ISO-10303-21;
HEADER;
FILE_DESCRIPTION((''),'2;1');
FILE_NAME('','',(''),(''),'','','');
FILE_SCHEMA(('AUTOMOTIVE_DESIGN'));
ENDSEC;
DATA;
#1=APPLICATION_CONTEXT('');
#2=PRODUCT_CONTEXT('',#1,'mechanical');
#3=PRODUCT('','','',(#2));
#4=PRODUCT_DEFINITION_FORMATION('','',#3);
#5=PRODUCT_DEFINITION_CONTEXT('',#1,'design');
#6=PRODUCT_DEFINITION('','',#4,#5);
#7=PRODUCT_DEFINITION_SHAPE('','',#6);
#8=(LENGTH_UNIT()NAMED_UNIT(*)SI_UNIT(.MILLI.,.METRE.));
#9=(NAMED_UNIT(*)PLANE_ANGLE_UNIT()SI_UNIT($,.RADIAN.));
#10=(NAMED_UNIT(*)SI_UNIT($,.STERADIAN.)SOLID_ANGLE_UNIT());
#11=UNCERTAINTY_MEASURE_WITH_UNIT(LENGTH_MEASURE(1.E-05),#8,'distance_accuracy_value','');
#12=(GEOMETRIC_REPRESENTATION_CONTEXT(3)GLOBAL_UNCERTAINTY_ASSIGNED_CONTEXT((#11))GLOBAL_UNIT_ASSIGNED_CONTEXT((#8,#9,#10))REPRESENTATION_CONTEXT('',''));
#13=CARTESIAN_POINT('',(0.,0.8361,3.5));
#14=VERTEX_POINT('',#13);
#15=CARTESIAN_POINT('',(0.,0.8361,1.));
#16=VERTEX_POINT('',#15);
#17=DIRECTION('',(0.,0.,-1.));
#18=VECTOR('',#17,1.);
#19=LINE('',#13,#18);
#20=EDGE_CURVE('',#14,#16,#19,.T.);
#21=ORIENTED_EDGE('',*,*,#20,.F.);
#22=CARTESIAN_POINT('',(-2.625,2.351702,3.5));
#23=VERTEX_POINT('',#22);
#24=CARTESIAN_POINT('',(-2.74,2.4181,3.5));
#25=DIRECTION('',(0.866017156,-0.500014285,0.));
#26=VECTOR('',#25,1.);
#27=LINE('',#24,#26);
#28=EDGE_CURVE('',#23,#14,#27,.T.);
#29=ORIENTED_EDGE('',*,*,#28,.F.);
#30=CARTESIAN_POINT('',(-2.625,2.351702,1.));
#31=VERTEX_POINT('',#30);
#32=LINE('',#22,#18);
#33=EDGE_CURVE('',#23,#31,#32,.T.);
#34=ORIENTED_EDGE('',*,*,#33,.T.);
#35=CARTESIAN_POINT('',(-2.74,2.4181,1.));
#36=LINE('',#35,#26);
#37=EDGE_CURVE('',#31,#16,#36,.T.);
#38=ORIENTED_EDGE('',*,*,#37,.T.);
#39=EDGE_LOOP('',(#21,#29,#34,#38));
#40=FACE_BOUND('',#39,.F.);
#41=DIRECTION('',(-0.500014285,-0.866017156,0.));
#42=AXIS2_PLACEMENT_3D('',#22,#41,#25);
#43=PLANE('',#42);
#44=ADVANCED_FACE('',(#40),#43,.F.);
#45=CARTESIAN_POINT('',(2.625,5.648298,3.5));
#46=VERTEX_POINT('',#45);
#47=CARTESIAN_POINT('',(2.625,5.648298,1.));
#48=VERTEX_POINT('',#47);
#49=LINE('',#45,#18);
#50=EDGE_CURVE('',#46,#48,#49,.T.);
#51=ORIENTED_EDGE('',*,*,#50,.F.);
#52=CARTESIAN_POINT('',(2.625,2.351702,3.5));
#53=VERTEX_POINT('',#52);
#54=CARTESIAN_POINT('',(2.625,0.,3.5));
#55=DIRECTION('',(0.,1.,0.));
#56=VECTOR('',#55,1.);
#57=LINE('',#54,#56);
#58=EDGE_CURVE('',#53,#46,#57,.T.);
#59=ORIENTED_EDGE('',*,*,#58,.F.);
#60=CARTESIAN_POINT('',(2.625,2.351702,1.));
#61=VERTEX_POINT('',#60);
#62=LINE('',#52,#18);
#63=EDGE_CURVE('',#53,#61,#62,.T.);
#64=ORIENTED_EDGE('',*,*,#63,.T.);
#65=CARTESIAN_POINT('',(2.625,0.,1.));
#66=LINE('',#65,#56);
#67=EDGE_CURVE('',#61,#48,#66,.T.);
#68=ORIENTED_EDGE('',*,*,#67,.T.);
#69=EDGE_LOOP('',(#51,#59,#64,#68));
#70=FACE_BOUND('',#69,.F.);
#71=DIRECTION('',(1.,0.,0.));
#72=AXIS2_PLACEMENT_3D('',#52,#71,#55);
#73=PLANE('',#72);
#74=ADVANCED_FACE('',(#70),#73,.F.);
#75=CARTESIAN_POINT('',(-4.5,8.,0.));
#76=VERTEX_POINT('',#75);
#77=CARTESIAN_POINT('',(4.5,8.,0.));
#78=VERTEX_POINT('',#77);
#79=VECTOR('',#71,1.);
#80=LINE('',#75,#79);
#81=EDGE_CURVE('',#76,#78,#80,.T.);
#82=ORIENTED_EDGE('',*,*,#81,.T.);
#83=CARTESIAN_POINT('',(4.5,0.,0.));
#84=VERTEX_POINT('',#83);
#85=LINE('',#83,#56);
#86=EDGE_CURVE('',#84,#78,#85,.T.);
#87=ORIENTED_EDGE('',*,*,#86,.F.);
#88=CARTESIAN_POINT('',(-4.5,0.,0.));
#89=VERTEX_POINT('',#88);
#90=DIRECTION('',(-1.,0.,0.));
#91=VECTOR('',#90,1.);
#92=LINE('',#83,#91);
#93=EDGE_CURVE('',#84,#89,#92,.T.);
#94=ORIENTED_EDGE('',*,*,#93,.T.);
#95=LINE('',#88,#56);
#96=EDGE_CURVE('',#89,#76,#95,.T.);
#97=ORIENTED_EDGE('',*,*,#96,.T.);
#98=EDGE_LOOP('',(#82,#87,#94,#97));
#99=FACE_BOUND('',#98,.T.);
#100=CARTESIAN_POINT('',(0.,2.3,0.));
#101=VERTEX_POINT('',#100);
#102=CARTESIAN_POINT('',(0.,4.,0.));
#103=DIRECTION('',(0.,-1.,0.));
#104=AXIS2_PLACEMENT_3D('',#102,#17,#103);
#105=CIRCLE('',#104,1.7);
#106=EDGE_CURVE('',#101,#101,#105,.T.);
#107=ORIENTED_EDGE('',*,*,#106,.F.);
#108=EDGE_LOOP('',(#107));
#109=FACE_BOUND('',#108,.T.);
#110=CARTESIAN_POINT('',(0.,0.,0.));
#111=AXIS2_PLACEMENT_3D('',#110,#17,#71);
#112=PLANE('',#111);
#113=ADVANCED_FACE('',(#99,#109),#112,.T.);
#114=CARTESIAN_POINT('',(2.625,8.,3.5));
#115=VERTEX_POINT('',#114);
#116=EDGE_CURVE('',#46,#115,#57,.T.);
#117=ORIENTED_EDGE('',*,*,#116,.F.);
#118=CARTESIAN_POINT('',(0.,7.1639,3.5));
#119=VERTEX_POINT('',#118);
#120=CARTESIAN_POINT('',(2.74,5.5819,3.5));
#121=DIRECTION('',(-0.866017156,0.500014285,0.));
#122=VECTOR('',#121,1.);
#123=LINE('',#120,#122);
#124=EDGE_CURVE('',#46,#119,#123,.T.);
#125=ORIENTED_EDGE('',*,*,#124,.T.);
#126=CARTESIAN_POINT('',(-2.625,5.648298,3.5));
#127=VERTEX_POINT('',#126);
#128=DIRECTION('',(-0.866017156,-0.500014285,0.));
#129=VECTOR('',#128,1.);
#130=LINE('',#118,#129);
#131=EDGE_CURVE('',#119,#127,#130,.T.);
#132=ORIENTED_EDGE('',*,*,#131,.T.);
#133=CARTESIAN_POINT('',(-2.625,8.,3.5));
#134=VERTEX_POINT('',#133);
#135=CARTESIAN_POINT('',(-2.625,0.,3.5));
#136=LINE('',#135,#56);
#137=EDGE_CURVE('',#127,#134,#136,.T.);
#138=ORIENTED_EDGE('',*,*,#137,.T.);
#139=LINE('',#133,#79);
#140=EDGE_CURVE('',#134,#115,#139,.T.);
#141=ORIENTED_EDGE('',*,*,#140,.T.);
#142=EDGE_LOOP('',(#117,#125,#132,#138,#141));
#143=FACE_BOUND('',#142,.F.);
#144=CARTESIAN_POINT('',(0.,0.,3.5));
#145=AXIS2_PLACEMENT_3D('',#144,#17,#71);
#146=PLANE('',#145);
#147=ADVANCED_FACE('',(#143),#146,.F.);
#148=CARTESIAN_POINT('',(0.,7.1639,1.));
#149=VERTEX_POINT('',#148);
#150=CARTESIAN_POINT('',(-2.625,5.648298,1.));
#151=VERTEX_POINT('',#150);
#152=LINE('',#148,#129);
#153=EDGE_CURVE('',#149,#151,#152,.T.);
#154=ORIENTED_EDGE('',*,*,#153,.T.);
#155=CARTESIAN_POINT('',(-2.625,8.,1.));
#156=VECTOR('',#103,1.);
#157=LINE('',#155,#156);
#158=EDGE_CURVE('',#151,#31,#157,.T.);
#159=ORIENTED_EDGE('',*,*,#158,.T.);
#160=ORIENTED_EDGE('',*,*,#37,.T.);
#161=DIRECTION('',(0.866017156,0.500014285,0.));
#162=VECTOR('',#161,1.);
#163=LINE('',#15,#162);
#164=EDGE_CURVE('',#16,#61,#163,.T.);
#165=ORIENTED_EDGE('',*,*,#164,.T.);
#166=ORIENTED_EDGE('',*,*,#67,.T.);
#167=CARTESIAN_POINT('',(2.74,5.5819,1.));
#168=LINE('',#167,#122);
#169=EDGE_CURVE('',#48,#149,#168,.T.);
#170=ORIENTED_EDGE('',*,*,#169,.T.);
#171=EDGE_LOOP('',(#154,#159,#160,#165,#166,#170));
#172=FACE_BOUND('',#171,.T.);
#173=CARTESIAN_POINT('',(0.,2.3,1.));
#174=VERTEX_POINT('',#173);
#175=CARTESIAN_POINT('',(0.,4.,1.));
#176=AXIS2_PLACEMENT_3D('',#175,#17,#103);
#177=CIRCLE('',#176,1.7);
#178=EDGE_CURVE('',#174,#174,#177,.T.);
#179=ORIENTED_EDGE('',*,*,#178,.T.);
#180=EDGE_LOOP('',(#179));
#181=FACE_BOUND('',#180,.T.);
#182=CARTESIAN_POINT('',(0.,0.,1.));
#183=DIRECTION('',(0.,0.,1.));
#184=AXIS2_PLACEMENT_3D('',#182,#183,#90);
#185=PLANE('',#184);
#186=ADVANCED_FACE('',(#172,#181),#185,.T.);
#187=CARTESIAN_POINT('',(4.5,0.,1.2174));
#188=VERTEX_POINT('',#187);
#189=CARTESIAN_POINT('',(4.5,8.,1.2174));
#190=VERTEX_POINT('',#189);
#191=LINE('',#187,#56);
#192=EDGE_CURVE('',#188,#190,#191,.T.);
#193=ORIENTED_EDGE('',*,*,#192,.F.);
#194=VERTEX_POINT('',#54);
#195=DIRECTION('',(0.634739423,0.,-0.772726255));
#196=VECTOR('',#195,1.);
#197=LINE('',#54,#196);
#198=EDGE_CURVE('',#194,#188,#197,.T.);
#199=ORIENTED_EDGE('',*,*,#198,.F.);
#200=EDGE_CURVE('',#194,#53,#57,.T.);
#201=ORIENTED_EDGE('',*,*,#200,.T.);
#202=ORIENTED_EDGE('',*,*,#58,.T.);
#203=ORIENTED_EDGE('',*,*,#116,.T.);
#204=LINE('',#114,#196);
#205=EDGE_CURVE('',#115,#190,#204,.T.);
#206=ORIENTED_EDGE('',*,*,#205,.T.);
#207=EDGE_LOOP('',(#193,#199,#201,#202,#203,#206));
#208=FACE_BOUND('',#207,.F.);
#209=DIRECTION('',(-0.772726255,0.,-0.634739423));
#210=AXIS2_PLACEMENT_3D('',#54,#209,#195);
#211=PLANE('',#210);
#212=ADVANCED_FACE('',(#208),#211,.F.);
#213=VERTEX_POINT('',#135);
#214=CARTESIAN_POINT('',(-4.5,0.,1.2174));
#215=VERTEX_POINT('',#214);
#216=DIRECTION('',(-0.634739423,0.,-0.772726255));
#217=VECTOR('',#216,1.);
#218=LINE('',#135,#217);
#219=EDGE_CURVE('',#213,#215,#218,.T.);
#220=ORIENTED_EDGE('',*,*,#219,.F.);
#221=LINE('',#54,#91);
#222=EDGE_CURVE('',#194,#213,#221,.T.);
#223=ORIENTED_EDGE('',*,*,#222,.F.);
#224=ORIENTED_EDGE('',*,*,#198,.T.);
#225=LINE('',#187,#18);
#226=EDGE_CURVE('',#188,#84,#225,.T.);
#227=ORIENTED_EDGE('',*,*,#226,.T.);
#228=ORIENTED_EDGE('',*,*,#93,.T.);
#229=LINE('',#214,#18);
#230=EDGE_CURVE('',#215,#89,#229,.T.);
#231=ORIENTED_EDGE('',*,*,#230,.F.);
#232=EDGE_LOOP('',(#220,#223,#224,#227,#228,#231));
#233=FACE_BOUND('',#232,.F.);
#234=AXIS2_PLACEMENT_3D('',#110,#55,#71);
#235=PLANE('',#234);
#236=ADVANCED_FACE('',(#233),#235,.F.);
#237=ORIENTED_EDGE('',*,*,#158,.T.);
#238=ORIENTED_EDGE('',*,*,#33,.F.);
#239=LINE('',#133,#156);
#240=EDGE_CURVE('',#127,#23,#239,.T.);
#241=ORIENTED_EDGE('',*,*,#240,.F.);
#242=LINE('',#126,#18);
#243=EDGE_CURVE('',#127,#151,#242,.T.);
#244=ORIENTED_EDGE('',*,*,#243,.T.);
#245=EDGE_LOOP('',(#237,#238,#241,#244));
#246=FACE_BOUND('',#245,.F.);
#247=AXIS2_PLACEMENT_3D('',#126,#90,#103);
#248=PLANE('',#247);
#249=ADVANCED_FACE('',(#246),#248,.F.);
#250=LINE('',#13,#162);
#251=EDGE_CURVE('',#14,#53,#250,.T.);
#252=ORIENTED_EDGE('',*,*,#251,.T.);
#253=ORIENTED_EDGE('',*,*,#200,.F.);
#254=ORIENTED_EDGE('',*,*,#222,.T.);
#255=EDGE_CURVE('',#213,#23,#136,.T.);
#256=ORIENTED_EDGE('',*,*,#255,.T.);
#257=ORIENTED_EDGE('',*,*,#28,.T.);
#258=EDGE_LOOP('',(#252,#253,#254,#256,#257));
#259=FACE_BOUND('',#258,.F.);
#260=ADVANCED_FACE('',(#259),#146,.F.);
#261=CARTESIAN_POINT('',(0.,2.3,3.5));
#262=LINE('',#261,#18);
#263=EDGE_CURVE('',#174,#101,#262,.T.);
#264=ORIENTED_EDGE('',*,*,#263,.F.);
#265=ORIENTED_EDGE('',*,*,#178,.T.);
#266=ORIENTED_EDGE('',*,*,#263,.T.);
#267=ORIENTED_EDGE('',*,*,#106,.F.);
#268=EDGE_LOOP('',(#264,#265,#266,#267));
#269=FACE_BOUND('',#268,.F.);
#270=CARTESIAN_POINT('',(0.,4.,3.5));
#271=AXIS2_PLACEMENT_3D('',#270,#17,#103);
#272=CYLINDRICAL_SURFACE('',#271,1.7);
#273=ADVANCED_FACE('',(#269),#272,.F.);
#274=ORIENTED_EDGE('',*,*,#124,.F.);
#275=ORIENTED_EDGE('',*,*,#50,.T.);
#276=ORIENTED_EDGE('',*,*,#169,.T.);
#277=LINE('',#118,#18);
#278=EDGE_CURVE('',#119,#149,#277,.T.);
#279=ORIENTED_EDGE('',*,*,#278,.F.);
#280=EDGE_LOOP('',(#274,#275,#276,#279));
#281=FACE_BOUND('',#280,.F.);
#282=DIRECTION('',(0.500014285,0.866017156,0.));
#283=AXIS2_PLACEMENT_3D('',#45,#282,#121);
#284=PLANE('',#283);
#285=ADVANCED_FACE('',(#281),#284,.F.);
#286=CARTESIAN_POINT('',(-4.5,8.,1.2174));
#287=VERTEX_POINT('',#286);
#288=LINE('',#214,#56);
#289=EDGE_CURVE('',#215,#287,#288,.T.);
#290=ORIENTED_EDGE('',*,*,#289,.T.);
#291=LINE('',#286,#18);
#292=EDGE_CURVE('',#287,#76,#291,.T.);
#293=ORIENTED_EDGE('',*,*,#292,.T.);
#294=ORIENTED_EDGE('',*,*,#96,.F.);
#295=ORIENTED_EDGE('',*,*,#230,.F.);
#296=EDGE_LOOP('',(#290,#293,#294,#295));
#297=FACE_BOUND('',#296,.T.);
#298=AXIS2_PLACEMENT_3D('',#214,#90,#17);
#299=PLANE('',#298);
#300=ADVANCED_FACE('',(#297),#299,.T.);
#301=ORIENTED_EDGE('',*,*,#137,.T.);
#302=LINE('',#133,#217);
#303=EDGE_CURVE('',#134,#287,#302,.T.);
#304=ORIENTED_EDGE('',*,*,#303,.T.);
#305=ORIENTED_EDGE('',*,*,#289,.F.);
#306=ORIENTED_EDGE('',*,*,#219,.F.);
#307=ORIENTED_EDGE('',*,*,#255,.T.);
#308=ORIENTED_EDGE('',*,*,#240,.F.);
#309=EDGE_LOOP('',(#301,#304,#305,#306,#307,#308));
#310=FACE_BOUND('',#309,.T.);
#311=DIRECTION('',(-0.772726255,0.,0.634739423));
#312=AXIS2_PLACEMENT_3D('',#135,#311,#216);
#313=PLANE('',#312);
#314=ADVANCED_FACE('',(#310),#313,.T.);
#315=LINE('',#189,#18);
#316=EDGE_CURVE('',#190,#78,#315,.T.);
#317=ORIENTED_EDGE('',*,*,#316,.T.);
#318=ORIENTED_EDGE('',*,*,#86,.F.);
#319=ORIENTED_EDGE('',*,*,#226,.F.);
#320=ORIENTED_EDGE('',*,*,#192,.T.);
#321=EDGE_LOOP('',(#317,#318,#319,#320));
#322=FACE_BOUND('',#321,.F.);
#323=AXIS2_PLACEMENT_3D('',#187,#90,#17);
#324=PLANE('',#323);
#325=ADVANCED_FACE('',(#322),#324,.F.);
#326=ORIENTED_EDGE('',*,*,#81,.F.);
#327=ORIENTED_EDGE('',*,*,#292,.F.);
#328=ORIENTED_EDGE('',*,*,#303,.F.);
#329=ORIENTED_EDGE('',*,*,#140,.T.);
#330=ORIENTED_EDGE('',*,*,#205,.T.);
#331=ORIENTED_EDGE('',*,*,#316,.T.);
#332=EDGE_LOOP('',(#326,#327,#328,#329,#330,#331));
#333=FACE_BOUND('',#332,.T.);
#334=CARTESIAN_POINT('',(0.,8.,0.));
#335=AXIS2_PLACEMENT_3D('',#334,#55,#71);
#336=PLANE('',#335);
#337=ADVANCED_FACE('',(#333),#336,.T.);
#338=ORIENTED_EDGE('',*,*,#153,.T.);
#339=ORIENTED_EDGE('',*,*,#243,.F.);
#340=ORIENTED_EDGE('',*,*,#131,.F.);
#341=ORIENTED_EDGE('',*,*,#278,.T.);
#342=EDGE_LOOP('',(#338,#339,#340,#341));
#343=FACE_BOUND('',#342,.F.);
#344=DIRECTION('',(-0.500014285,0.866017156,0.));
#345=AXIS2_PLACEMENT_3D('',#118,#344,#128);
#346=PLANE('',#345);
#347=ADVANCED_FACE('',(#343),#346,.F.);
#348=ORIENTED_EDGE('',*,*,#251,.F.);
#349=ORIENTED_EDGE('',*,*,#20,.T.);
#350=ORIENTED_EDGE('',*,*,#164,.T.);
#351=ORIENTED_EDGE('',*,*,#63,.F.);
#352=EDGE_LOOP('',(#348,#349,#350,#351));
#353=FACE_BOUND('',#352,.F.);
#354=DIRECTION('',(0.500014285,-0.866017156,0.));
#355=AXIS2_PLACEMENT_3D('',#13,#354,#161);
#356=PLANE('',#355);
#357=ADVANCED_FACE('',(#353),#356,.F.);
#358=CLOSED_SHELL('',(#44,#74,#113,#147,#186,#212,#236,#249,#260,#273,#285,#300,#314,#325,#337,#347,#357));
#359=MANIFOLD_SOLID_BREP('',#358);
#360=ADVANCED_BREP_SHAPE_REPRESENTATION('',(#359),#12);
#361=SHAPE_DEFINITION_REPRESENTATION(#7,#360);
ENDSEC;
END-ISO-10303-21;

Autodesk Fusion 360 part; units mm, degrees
sketch "Sketch1" plane through (0, 0, 0) normal (0, 1, 0) x (1, 0, 0)
  line L0 (0, 0) -> (5.5, 0)
  line L1 (0, -3.5) -> (2.625, -3.5)
  line L2 (2.625, -3.5) -> (5.5, 0)
  line L3 (0, -1.75) -> (0, -22.5)
  line L4 (0, -3.5) -> (-2.625, -3.5)
  line L5 (-2.625, -3.5) -> (-5.5, 0)
  line L6 (0, 0) -> (-5.5, 0)
  line L7 (-4.5, -1.2174) -> (-4.5, 0)
  line L8 (4.5, -1.2174) -> (4.5, 0)
  dimension "d1" = 5.5
  dimension "d2" = 2.625
  dimension "d3" = 3.5
  dimension "d16" = 4.5
extrude "Extrude1" add sketch "Sketch1" along normal blind 8 contours L0 L1 L2 L4 L5 L6 L7 L8
sketch "Sketch2" plane through (0, 0, 3.5) normal (0, 0, 1) x (-1, 0, 0)
  line L0 (2.625, 0) -> (-2.625, 0)
  line L1 (-2.625, 0) -> (-2.625, -8)
  line L2 (-2.625, -8) -> (2.625, -8)
  line L3 (2.625, -8) -> (2.625, 0)
  line L4 (0, -8) -> (0, 0) construction
  line L5 (2.74, -2.4181) -> (0, -0.8361)
  line L6 (0, -0.8361) -> (-2.74, -2.4181)
  line L7 (-2.74, -2.4181) -> (-2.74, -5.5819)
  line L8 (-2.74, -5.5819) -> (0, -7.1639)
  line L9 (0, -7.1639) -> (2.74, -5.5819)
  line L10 (2.74, -5.5819) -> (2.74, -2.4181)
  line L11 (2.72, 25.0704) -> (0, 26.6408)
  line L12 (0, 26.6408) -> (-2.72, 25.0704)
  line L13 (-2.72, 25.0704) -> (-2.72, 21.9296)
  line L14 (-2.72, 21.9296) -> (0, 20.3592)
  line L15 (0, 20.3592) -> (2.72, 21.9296)
  line L16 (2.72, 21.9296) -> (2.72, 25.0704)
  point P0 (0, -4)
  dimension "d6" = 2.74
  dimension "d9" = 4
extrude "Extrude2" cut sketch "Sketch2" against normal blind 2.5 contours L1 L3 L5 L6 L8 L9 | L11 L12 L13 L14 L15 L16
hole "Hole1" at (0, 4, 3.5) direction (0, 0, -1) diameter 3.4 depth 16 tip angle 118
equation "d2 = ( 5.25 / 2 ) * 1 mm"
equation "d6 = ( 5.48 / 2 ) * 1 mm"
